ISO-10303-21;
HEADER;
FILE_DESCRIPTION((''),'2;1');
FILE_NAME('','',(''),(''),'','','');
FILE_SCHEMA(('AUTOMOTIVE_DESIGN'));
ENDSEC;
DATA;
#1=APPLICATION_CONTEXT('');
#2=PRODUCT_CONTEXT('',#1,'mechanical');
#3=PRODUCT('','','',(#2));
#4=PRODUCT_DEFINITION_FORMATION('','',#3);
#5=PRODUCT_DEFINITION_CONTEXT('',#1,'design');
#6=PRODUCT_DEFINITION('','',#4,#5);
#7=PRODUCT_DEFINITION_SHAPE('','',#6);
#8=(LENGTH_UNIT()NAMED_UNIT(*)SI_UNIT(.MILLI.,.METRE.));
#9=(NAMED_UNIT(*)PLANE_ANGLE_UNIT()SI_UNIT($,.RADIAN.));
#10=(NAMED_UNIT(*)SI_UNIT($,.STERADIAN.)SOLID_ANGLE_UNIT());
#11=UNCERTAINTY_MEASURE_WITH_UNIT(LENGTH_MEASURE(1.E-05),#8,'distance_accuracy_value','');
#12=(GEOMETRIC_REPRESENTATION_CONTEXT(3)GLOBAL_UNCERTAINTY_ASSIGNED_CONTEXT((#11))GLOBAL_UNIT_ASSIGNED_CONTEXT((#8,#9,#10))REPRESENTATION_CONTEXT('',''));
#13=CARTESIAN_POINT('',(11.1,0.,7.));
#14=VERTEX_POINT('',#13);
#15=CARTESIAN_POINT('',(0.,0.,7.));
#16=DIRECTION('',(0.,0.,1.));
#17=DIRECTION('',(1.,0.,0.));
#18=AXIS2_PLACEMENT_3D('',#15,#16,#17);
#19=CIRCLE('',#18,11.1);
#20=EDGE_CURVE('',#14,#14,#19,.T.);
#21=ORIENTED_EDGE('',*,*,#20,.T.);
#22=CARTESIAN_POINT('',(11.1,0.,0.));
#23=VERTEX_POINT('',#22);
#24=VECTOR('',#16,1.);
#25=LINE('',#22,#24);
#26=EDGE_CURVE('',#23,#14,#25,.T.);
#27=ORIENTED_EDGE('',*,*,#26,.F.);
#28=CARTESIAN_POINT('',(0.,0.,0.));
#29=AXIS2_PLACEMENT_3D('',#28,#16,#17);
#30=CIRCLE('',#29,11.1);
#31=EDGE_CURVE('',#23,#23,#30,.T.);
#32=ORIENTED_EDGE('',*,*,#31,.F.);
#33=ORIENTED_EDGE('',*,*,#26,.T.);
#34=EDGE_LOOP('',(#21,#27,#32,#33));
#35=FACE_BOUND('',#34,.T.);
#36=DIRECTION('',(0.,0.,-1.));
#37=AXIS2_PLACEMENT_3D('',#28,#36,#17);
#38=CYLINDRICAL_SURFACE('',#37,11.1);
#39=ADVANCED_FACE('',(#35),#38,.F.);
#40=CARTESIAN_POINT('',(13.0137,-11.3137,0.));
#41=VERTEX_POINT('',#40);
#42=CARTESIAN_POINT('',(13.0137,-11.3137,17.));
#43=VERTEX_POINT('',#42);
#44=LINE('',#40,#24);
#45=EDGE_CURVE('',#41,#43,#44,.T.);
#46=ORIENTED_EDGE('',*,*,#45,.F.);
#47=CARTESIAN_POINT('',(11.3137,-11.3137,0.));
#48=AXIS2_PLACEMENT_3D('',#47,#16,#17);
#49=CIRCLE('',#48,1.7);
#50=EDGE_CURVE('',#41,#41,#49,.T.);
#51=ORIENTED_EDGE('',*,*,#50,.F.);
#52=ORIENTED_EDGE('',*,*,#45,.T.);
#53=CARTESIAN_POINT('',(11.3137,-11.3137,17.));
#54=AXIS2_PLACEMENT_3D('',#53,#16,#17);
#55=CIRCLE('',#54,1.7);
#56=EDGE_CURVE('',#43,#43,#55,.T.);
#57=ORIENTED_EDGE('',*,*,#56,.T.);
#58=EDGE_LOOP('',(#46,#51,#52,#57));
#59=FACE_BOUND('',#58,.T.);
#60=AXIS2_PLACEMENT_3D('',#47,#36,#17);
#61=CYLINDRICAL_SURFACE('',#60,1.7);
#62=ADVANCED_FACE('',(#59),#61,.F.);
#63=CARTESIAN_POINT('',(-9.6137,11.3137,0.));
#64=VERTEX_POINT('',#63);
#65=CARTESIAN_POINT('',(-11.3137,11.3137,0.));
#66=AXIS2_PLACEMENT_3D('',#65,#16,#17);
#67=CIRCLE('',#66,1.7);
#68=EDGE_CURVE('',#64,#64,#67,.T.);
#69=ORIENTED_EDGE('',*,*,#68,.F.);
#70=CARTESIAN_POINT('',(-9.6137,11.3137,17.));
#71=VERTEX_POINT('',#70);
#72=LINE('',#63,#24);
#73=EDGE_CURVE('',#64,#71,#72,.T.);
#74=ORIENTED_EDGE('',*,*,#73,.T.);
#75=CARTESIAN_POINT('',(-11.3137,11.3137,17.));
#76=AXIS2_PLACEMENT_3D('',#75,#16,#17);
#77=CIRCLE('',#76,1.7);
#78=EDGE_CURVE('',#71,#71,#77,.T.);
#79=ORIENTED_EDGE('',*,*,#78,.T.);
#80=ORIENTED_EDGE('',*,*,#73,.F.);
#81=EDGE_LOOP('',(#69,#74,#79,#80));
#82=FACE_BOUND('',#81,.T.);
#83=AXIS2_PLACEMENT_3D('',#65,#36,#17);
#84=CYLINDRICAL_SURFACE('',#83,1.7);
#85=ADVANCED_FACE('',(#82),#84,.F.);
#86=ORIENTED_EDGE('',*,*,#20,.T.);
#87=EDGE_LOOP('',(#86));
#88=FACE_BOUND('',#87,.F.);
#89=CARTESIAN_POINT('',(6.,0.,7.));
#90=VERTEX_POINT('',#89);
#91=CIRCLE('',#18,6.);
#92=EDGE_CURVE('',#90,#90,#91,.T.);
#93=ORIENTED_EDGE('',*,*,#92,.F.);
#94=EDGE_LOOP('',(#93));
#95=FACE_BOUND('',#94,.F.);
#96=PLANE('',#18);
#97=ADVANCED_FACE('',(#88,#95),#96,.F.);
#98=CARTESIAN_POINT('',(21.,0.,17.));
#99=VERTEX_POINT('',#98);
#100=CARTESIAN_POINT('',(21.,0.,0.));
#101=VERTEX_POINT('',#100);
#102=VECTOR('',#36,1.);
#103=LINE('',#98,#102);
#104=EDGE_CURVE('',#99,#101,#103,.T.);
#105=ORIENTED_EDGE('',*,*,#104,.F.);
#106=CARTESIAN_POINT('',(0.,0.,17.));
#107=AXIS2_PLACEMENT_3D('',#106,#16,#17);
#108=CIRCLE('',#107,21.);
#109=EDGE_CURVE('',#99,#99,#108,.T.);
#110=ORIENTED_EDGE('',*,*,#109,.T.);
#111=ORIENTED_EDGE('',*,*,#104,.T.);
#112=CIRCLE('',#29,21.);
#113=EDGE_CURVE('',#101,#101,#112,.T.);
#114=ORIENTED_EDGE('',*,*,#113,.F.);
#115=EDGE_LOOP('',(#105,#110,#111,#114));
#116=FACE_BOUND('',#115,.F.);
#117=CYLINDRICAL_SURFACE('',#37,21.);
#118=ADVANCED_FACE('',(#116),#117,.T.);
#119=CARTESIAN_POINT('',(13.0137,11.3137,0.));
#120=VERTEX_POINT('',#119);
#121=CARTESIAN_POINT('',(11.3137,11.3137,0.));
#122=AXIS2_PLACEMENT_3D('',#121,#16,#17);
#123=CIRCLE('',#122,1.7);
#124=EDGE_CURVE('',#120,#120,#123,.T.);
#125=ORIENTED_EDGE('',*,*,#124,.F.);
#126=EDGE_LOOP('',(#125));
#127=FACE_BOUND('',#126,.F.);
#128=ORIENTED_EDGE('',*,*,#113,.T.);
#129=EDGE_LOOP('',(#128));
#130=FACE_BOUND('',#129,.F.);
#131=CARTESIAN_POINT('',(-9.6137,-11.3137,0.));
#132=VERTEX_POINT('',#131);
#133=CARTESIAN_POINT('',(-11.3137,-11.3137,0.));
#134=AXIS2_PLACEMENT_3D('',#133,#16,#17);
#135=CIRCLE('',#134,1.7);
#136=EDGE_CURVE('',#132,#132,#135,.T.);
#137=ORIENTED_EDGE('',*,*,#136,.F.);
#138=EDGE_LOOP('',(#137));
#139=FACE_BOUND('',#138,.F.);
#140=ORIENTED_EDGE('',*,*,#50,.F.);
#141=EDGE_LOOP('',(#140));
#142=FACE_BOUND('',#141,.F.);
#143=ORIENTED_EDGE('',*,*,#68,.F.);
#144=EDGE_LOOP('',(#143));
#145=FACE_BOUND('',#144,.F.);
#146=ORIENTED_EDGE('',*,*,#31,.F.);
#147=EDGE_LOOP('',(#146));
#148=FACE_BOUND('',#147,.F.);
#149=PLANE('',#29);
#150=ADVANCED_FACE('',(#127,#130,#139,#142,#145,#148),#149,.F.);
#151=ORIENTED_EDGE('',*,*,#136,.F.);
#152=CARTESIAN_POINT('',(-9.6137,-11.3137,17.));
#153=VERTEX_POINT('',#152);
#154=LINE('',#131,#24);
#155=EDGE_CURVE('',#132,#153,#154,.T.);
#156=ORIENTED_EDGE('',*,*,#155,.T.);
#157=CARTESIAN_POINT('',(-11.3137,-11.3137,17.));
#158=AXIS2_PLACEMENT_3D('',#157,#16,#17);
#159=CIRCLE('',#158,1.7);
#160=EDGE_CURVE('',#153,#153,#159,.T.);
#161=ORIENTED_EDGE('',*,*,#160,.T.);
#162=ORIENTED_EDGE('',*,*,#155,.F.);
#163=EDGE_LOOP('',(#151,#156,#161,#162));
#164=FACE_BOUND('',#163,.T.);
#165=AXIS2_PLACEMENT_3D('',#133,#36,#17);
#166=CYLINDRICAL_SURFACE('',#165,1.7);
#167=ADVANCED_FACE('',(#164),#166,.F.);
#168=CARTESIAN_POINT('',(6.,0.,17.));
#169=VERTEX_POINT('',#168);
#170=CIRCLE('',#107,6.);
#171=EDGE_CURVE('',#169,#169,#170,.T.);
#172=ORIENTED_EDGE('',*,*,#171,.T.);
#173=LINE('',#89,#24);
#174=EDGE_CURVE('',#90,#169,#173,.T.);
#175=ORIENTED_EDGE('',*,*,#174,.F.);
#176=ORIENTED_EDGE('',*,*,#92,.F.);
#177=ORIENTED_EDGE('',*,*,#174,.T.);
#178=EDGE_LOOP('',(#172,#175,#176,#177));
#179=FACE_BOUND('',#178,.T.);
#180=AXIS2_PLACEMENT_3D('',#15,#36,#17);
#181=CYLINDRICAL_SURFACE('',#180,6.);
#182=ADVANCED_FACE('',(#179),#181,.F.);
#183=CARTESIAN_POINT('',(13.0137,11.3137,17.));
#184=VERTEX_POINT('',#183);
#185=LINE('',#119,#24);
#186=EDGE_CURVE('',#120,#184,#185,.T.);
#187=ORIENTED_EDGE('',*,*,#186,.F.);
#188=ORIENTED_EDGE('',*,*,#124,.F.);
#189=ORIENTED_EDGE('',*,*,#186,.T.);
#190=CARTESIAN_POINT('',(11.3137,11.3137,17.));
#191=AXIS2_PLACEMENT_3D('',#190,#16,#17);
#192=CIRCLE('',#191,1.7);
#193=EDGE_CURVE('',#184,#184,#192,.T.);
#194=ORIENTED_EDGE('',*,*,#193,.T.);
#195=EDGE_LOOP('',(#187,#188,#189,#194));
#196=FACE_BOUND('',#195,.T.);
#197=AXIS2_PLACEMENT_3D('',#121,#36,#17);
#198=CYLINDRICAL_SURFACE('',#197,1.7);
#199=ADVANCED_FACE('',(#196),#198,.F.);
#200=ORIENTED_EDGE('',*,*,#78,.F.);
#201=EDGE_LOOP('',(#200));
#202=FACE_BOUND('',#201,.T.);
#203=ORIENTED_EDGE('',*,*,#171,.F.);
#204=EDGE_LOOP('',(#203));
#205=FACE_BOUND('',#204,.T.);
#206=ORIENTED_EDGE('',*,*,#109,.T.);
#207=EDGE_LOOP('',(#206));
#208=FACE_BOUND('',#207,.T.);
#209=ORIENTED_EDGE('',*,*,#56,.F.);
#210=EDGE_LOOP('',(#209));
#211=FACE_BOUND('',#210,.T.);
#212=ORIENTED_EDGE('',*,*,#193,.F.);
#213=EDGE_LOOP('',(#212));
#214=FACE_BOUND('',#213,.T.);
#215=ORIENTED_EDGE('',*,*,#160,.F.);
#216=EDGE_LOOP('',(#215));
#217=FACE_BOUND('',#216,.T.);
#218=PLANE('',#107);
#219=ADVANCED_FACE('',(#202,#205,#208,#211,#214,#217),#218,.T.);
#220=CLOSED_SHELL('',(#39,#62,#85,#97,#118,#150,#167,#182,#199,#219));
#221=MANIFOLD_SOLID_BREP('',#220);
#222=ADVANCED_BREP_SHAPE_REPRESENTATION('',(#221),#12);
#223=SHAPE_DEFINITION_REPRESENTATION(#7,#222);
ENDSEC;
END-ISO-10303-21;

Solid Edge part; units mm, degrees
sketch "Sketch1" plane through (0, 0, 0) normal (0, 0, 1) x (1, 0, 0)
  circle A0 centre (0, 0) radius 21
  circle A1 centre (0, 0) radius 11.1
  circle A2 centre (11.3137, 11.3137) radius 1.7
  circle A3 centre (-11.3137, 11.3137) radius 1.7
  circle A4 centre (-11.3137, -11.3137) radius 1.7
  circle A5 centre (11.3137, -11.3137) radius 1.7
extrude "Protrusion1" add sketch "Sketch1" along normal blind 7
sketch "Sketch2" plane through (0, 0, 7) normal (0, 0, 1) x (1, 0, 0)
  circle A0 centre (0, 0) radius 21
  circle A1 centre (0, 0) radius 6
  circle A2 centre (11.3137, 11.3137) radius 1.7
  circle A3 centre (-11.3137, 11.3137) radius 1.7
  circle A4 centre (-11.3137, -11.3137) radius 1.7
  circle A5 centre (11.3137, -11.3137) radius 1.7
extrude "ExtrudedProtrusion_2" add sketch "Sketch2" along normal blind 10
